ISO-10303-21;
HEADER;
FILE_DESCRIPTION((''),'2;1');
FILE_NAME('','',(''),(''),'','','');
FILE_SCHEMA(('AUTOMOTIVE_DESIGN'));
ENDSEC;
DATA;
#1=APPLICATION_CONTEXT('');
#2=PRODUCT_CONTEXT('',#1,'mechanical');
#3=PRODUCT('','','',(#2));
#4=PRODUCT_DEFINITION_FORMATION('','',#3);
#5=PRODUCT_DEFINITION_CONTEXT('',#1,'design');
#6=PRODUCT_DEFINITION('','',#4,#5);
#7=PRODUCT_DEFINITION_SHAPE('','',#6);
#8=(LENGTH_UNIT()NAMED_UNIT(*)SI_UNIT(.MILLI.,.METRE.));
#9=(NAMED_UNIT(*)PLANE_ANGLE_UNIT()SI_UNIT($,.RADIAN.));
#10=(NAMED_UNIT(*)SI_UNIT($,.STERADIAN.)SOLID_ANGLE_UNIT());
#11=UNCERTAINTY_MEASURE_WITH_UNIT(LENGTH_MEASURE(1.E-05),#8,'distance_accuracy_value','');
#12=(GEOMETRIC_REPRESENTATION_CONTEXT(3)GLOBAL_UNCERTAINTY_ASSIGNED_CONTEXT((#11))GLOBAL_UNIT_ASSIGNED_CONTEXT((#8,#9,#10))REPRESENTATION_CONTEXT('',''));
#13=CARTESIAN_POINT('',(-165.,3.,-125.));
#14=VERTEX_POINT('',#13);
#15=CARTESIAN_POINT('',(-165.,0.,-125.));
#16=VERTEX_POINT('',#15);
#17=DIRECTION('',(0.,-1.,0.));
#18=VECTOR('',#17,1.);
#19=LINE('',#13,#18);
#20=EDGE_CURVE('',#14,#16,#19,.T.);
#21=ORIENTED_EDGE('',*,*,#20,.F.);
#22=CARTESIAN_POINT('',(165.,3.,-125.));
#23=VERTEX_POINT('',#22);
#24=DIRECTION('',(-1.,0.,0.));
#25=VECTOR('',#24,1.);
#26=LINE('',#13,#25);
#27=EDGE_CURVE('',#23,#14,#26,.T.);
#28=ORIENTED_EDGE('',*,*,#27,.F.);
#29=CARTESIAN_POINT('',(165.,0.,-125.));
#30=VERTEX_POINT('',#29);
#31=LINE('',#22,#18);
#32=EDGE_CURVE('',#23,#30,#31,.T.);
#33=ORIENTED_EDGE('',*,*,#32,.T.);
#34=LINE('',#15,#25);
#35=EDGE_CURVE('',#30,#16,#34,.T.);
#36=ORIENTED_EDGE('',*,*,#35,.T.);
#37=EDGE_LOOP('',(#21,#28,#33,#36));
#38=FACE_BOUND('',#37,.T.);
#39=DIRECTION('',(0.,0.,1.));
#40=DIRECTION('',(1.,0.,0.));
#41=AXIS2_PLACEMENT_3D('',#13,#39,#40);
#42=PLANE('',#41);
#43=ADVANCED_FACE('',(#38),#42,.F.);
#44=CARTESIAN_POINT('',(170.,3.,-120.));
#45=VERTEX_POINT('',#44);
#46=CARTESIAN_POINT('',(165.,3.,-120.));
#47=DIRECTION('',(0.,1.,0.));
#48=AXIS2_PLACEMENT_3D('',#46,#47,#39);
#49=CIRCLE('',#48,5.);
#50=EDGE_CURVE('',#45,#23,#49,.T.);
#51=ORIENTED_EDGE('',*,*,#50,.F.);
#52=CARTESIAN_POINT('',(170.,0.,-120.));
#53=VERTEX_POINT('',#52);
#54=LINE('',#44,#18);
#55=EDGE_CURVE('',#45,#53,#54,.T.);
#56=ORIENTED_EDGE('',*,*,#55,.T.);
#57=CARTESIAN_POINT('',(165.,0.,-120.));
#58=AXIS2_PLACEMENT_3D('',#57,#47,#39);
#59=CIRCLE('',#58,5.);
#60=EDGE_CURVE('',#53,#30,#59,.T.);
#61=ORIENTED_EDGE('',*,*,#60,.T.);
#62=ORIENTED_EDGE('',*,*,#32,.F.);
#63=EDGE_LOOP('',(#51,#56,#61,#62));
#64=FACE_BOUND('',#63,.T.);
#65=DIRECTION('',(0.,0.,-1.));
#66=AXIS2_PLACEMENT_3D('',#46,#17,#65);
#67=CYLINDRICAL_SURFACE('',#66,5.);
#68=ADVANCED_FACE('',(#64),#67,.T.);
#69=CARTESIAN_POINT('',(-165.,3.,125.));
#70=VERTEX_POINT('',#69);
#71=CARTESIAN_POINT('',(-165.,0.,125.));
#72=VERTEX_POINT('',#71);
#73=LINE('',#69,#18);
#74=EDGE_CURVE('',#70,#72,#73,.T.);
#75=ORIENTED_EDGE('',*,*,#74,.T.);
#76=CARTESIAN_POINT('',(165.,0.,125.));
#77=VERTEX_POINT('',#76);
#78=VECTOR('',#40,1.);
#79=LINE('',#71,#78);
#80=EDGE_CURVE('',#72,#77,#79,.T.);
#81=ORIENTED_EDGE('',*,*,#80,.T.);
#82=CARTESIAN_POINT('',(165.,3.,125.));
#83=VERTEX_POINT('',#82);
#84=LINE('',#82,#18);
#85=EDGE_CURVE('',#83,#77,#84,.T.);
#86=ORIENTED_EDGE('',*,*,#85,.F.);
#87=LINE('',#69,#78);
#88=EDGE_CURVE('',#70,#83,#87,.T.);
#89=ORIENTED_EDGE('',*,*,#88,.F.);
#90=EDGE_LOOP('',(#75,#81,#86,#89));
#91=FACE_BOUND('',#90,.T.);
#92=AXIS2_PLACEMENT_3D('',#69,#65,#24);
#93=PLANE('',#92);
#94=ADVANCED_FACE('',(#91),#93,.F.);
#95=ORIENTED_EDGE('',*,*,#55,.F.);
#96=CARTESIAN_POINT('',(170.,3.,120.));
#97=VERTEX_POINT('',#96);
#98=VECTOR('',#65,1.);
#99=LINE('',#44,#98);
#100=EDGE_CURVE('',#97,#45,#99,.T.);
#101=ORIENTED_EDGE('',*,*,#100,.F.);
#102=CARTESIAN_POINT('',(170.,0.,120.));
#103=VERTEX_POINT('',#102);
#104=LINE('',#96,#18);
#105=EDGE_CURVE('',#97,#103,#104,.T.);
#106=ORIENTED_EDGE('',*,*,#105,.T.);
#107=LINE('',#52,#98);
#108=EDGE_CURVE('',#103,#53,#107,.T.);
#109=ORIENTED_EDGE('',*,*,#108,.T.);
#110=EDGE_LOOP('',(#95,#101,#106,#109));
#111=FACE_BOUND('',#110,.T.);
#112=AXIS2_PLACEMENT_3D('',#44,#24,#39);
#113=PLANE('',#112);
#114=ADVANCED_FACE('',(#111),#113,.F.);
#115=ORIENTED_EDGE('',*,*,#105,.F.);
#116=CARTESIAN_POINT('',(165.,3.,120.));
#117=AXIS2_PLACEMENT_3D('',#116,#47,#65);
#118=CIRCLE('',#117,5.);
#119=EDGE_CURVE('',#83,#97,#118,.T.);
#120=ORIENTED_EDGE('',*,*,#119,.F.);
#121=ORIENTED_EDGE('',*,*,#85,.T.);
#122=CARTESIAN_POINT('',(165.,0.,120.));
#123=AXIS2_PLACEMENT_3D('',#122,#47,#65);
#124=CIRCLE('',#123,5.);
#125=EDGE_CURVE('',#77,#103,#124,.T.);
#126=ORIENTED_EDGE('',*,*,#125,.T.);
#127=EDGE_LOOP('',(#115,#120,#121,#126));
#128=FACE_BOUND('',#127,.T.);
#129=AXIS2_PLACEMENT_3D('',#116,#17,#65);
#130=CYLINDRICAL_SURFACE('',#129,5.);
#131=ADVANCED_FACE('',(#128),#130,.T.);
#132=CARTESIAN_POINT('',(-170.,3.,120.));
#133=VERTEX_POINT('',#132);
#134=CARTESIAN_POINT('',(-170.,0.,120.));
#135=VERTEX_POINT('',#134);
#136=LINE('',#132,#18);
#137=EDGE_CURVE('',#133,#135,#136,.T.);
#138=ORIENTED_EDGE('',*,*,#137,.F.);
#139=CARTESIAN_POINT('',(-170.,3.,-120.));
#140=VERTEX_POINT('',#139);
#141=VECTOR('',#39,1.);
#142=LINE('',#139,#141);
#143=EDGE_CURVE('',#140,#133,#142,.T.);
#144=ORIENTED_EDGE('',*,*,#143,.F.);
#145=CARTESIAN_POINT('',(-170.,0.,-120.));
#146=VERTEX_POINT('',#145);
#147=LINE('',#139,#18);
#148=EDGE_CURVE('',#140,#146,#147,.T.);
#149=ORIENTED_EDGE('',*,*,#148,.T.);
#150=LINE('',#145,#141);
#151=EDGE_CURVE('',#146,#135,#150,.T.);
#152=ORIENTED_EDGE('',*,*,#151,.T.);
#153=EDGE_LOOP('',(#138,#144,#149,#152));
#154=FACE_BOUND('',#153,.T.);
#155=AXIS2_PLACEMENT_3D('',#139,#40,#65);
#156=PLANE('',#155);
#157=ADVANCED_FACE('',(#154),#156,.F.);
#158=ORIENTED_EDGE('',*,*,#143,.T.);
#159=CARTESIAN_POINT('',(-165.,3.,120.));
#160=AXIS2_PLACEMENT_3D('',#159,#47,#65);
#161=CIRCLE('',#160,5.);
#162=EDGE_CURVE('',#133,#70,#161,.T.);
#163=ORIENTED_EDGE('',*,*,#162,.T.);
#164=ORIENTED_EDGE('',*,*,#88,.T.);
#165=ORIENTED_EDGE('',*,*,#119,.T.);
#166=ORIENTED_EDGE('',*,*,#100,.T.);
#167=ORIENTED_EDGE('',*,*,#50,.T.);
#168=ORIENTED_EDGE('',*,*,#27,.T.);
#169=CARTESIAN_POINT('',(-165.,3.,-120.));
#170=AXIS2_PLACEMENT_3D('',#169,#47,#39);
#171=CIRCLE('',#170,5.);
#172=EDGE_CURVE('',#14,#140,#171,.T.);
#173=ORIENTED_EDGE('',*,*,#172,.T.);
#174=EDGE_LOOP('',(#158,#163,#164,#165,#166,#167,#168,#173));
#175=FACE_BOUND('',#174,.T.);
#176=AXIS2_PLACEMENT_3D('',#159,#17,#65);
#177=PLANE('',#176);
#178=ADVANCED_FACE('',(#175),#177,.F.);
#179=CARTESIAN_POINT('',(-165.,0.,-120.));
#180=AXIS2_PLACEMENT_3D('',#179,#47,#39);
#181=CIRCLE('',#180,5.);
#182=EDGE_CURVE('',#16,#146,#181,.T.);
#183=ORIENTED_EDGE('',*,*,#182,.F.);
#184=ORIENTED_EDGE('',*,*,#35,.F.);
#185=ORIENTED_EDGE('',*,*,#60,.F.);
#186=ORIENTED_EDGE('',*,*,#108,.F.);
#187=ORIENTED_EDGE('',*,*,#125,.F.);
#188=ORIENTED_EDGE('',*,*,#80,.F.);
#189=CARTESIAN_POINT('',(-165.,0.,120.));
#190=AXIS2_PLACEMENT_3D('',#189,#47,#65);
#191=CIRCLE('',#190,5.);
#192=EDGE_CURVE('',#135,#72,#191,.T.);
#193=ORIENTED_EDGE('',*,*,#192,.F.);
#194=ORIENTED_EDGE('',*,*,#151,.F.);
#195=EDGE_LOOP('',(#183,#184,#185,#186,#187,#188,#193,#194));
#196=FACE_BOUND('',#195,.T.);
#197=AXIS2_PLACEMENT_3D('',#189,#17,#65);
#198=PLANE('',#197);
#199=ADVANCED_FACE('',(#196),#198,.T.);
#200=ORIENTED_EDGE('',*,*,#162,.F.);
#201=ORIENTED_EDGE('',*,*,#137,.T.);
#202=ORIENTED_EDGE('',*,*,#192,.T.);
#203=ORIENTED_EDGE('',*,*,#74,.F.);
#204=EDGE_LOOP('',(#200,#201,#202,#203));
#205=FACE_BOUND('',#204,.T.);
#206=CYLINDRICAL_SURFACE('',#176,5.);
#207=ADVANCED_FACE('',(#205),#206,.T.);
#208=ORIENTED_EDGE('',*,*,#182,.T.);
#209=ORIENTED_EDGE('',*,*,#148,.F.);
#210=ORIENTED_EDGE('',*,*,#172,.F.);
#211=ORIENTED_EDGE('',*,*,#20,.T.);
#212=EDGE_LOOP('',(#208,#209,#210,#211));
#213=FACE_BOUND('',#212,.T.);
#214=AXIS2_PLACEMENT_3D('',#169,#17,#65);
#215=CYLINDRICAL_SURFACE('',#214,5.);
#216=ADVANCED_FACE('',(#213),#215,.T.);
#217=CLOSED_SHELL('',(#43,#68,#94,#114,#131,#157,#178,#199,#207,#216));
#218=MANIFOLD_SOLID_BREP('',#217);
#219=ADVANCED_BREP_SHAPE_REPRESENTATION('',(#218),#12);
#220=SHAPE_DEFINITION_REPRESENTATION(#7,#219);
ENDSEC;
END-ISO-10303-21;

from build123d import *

# Parameters (mm, degrees)
EXTRUDE_1_DEPTH = 3


with BuildPart() as part:
    # 草图2 → 凸台-拉伸1 (new body)
    with BuildSketch(Plane(origin=(0, 0, 0), x_dir=(1, 0, 0), z_dir=(0, 1, 0))):
        with BuildLine():
            Line((-165, 125), (165, 125))
            ThreePointArc((165, 125), (168.535533906, 123.535533906), (170, 120))
            Line((170, 120), (170, -120))
            ThreePointArc((170, -120), (168.535533906, -123.535533906), (165, -125))
            Line((165, -125), (-165, -125))
            ThreePointArc((-165, -125), (-168.535533906, -123.535533906), (-170, -120))
            Line((-170, -120), (-170, 120))
            ThreePointArc((-170, 120), (-168.535533906, 123.535533906), (-165, 125))
        make_face()
    extrude(amount=EXTRUDE_1_DEPTH)


solid = part.part
